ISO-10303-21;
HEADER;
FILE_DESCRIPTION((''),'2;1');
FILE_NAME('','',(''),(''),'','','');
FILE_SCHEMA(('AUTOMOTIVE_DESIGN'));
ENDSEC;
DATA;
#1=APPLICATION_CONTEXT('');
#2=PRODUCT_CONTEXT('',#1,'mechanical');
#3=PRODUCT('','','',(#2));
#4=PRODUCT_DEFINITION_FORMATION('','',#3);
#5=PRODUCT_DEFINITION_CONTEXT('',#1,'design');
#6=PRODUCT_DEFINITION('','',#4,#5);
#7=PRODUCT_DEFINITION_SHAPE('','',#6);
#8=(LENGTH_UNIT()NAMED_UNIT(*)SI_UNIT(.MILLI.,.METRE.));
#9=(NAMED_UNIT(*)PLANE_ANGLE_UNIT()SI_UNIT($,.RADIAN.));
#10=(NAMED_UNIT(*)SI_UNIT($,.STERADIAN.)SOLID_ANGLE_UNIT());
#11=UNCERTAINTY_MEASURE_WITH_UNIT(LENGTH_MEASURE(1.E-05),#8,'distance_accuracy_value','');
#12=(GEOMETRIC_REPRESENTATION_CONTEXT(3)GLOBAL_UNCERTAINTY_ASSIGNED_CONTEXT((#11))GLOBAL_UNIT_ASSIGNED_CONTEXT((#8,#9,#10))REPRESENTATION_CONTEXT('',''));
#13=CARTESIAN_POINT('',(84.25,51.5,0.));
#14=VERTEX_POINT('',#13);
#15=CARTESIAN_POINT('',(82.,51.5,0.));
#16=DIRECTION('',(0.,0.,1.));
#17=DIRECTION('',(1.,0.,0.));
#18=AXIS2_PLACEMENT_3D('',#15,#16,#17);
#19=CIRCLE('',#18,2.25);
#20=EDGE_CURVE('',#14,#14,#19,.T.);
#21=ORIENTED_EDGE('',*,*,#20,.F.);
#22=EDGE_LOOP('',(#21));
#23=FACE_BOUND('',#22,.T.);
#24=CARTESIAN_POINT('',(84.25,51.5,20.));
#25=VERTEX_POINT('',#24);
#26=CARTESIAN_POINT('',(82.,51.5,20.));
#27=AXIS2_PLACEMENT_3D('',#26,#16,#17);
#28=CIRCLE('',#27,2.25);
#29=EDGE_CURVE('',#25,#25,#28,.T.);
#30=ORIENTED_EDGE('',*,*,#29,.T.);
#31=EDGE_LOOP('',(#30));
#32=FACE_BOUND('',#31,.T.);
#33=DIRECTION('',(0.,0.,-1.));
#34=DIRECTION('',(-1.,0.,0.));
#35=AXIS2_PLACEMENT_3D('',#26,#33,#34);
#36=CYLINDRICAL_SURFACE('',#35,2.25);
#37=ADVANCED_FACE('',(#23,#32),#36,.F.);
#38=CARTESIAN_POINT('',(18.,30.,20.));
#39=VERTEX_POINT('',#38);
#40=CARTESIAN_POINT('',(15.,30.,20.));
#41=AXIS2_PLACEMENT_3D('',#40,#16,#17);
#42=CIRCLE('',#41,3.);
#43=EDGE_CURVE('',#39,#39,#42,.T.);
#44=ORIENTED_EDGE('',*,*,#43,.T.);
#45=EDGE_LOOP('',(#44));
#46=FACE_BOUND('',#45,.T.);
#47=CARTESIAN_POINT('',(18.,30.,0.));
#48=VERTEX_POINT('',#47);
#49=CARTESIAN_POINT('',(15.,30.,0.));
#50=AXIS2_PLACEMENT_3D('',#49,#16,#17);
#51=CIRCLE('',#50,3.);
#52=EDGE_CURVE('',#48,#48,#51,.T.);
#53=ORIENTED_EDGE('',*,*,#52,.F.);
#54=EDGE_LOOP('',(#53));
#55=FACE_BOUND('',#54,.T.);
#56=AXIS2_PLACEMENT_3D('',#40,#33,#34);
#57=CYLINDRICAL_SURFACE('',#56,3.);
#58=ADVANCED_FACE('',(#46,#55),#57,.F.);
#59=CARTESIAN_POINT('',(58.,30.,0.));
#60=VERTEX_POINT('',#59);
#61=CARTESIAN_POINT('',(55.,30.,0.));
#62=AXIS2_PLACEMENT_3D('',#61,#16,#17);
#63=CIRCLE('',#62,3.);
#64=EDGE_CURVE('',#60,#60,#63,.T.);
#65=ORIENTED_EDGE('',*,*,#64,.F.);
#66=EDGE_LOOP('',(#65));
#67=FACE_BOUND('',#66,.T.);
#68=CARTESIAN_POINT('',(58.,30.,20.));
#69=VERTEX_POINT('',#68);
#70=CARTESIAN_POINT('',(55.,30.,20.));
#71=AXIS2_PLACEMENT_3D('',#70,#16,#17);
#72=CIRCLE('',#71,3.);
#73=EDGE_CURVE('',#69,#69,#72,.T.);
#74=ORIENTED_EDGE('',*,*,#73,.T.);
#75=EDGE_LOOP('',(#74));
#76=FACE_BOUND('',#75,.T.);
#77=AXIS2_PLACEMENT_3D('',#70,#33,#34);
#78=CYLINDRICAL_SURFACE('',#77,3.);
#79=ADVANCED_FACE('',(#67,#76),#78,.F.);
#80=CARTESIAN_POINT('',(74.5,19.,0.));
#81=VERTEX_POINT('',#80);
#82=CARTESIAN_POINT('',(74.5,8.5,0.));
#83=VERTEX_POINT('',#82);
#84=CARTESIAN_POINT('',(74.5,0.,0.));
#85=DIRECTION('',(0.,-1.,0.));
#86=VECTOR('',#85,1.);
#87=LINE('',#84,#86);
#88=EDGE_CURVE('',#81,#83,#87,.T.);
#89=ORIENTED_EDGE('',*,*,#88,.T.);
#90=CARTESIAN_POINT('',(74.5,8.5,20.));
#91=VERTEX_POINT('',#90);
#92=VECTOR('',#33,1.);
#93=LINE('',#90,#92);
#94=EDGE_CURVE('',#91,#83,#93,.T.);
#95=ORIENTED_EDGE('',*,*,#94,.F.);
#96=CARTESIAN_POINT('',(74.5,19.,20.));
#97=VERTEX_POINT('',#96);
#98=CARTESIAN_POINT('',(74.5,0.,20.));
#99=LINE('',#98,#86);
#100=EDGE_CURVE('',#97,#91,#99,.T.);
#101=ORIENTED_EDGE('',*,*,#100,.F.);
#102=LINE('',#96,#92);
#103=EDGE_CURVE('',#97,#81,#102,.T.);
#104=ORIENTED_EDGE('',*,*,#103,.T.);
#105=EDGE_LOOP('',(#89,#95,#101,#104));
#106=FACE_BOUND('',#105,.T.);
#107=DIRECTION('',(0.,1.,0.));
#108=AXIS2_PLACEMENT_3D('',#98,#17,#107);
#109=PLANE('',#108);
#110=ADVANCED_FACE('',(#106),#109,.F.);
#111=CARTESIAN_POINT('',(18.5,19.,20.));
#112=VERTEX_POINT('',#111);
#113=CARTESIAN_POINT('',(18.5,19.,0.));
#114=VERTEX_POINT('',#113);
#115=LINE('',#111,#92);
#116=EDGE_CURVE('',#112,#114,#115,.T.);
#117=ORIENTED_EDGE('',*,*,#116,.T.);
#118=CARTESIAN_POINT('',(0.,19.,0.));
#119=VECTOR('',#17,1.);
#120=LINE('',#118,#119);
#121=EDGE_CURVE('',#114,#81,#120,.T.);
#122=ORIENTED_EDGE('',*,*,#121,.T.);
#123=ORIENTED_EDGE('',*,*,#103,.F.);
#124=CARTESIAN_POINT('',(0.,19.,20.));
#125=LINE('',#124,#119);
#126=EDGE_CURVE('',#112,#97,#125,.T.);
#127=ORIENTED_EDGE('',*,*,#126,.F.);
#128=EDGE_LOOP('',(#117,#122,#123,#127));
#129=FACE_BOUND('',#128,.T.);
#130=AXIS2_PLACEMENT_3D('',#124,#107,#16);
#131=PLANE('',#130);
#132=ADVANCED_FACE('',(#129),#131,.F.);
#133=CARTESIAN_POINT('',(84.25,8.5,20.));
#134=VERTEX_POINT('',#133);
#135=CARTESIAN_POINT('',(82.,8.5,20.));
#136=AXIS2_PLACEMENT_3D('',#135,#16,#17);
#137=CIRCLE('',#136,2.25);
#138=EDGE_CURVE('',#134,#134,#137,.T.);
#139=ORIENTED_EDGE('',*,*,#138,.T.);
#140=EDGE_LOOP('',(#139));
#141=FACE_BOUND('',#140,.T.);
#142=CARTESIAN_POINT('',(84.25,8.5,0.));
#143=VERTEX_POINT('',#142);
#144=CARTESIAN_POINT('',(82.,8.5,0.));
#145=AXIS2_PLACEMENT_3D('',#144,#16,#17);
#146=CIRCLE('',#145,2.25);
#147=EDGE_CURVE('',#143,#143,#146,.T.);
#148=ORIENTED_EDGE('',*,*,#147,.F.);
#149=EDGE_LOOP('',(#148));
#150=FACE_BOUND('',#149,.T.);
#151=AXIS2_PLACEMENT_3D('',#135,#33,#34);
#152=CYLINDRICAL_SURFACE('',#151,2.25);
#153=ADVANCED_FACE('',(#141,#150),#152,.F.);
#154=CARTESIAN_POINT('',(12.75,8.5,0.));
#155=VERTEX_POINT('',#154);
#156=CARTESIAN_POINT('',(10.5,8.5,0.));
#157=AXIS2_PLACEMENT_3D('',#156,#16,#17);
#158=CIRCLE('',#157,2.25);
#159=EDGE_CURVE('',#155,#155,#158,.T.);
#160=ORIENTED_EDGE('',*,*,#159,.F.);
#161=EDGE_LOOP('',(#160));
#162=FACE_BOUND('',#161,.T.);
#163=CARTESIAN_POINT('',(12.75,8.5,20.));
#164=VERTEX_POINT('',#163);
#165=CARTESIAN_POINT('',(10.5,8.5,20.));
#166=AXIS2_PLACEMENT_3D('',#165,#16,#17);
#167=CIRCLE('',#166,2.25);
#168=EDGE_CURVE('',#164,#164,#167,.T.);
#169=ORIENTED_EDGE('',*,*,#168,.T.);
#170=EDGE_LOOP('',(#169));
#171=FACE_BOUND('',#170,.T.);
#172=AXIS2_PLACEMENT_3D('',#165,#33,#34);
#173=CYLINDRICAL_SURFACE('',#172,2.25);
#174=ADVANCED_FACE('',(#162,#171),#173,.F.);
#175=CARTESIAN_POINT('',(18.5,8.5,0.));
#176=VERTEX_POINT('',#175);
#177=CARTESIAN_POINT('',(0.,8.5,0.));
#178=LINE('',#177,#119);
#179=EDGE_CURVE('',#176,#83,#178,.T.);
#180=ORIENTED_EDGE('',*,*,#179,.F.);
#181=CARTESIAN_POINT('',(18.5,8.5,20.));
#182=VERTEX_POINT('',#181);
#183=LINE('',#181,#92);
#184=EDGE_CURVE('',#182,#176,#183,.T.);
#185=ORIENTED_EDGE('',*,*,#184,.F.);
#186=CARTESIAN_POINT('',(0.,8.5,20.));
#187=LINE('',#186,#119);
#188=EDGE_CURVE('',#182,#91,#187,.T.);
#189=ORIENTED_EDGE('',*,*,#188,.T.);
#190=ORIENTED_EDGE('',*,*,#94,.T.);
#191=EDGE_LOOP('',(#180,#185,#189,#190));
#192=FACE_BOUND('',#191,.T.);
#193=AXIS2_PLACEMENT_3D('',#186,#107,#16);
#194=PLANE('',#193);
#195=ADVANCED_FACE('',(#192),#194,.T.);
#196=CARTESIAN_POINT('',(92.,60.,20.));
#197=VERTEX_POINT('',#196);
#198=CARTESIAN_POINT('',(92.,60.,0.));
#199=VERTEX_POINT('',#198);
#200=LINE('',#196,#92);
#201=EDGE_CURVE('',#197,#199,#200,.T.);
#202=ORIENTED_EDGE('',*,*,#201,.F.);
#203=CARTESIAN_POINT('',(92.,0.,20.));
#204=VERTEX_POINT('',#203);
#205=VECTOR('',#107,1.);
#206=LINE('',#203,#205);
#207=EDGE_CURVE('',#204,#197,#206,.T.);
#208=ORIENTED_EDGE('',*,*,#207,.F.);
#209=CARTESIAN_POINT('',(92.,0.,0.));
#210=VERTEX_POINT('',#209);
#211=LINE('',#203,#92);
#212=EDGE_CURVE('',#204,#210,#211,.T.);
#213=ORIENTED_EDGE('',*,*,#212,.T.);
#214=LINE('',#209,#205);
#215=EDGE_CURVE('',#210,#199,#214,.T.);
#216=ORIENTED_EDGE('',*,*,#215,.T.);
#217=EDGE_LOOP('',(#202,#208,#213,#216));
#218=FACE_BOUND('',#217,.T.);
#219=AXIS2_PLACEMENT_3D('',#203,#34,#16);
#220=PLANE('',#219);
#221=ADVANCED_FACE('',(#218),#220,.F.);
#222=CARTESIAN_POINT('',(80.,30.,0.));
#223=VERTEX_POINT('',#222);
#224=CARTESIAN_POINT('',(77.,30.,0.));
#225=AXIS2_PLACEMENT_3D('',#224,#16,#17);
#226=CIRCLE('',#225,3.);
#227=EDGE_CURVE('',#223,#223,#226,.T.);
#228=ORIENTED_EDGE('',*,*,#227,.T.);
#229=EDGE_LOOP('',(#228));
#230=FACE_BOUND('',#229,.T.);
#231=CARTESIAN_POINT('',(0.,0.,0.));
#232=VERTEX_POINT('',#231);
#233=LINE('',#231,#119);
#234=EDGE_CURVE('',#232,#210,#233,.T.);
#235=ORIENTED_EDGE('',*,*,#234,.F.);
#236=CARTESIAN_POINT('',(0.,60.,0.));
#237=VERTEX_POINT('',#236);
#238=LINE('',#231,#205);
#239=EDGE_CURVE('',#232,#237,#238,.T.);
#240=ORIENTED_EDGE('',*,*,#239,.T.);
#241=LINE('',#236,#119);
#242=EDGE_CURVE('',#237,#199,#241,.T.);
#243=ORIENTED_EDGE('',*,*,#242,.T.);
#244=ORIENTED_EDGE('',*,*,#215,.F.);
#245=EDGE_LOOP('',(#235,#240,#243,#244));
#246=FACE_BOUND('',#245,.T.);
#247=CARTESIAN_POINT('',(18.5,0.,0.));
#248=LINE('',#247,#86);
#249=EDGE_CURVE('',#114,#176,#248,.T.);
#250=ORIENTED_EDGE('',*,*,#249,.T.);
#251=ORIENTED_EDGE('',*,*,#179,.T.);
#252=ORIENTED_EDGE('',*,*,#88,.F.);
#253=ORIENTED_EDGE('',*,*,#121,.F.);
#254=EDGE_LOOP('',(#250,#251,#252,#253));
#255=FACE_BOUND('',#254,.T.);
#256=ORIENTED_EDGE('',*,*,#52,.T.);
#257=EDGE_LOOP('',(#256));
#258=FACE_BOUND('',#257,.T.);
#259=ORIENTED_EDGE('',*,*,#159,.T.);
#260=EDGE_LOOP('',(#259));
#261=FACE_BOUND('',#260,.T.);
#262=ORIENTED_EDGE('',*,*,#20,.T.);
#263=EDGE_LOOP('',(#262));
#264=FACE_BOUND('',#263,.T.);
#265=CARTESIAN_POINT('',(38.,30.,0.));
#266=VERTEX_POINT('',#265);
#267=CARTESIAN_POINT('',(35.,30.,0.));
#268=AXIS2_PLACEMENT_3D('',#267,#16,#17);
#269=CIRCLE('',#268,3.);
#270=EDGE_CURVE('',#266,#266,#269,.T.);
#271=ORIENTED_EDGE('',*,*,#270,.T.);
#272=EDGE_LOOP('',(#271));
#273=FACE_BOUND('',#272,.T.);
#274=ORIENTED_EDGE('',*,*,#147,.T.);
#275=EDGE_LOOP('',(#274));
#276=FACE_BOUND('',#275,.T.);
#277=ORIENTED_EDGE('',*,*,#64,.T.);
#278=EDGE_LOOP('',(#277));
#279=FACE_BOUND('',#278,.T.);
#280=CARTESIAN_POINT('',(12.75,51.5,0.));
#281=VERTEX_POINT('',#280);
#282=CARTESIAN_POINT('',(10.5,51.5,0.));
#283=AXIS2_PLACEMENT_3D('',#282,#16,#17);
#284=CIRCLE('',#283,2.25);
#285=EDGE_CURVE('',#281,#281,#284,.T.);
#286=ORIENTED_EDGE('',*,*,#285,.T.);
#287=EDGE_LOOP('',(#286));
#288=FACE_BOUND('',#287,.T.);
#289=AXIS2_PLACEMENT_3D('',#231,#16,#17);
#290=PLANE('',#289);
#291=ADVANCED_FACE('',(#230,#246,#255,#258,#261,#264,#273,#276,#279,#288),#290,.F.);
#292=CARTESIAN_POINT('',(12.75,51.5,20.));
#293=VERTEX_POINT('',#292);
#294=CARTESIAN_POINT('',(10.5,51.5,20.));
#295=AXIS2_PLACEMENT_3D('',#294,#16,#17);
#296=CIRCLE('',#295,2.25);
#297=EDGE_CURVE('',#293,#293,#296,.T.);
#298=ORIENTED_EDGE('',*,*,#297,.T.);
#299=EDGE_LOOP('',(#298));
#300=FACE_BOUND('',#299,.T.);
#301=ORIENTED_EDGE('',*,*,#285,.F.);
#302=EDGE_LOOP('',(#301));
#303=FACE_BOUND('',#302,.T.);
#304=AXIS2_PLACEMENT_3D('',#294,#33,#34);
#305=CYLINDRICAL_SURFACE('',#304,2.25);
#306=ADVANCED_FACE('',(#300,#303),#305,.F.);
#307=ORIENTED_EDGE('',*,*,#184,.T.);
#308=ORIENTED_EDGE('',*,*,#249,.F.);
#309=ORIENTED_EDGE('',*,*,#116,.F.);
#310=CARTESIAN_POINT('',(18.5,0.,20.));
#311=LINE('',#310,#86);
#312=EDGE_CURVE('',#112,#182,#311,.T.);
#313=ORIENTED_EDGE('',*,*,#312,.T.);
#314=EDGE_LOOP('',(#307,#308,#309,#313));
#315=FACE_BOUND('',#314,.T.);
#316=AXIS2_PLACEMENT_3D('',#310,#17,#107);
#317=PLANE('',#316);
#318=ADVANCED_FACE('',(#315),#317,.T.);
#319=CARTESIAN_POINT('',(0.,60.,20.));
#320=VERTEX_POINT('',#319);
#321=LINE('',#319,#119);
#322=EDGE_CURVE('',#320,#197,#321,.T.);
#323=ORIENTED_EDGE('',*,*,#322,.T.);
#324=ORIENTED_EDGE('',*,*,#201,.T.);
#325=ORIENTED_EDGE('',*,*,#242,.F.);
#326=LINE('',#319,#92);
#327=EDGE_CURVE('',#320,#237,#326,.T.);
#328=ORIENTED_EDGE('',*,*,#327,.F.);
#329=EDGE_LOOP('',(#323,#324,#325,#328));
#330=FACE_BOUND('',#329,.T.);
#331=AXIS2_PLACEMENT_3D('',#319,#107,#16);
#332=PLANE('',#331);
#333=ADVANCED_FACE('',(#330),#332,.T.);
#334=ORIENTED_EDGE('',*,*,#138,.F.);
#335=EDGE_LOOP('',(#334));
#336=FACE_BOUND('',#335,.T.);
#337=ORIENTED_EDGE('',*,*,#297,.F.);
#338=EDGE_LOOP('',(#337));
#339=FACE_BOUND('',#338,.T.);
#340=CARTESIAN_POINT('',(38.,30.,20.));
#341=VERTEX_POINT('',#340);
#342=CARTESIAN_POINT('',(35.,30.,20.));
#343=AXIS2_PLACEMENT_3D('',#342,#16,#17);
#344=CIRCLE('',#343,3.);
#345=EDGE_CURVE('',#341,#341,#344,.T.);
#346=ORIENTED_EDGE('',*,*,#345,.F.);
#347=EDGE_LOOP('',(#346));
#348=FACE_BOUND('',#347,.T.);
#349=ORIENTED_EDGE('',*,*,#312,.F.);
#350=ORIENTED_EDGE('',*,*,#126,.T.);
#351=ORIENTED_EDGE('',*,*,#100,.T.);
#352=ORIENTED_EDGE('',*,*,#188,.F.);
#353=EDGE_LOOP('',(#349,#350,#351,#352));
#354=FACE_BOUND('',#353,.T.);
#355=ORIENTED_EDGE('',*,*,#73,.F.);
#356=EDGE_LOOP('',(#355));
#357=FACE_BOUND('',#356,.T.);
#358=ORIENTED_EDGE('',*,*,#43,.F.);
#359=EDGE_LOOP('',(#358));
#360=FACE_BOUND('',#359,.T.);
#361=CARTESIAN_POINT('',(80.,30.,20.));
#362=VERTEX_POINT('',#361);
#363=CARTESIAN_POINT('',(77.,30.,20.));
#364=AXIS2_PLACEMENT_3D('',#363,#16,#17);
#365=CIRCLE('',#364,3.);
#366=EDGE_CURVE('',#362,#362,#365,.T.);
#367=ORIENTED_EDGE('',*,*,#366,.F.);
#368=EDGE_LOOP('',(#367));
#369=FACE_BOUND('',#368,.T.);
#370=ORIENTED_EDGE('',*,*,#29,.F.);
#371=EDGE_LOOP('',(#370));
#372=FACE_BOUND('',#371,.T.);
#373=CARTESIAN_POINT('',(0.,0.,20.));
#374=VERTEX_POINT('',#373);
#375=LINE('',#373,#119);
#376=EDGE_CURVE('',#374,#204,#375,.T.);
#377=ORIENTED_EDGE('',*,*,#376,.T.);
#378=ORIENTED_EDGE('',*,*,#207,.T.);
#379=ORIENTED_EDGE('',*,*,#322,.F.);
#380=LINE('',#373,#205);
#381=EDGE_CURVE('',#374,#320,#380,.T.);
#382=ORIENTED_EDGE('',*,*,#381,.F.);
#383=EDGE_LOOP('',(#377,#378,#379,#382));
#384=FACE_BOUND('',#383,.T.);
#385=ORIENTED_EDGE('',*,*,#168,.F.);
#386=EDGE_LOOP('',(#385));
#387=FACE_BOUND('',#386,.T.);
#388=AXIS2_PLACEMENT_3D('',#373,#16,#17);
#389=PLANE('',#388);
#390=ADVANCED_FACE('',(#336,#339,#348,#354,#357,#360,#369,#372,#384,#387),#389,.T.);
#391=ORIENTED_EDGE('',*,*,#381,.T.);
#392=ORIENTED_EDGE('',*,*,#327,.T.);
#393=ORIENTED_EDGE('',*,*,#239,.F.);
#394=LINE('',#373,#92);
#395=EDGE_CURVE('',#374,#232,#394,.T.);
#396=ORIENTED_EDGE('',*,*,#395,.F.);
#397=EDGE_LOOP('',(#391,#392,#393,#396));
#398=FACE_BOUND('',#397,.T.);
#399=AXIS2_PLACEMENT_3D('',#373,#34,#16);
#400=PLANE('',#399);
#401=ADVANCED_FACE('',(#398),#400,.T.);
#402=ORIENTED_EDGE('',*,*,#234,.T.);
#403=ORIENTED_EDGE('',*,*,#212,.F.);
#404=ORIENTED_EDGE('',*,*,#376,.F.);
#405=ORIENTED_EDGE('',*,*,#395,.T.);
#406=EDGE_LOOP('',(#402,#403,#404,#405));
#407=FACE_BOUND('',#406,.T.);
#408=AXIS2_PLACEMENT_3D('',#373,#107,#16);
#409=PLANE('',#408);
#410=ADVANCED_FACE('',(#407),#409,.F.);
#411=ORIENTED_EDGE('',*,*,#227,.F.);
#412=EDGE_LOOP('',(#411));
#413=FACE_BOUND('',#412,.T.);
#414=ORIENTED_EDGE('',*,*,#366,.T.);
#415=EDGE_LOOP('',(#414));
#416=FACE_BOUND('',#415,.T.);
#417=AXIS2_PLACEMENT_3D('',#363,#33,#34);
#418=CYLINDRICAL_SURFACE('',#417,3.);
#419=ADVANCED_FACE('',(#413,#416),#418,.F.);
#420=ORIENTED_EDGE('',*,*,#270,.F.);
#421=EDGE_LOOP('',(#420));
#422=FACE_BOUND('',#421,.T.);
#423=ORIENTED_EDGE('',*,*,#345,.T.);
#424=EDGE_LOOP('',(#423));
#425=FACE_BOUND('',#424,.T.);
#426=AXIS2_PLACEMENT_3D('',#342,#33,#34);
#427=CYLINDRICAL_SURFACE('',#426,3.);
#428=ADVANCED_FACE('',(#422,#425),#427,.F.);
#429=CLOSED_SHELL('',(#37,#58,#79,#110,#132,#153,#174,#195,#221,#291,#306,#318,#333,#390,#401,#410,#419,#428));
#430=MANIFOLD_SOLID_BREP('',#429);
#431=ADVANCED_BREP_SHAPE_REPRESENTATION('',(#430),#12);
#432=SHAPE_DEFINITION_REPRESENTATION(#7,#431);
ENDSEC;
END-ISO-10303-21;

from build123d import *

# Parameters (mm, degrees)
SKETCH3_W           = 92
SKETCH3_H           = 60
SKETCH3_W_2         = 76.5
SKETCH3_H_2         = 48
SKETCH3_R           = 2.25
SKETCH3_R_2         = 3
SKETCH3_W_3         = 56
SKETCH3_H_3         = 10.5
BOSS_EXTRUDE3_DEPTH = 20


with BuildPart() as part:
    # Sketch3 → Boss-Extrude3 (new body)
    # profile 1 of 2: a face of its own
    with BuildSketch(Plane.XY):
        with Locations((46, 30)):
            Rectangle(SKETCH3_W, SKETCH3_H)
        with Locations((46.25, 30)):
            Rectangle(SKETCH3_W_2, SKETCH3_H_2, mode=Mode.SUBTRACT)
    # profile 2 of 2: a face of its own
    with BuildSketch(Plane.XY):
        with Locations((46.25, 30)):
            Rectangle(SKETCH3_W_2, SKETCH3_H_2)
        with Locations((10.5, 51.5)):
            Circle(SKETCH3_R, mode=Mode.SUBTRACT)
        with Locations((10.5, 8.5)):
            Circle(SKETCH3_R, mode=Mode.SUBTRACT)
        with Locations((82, 8.5)):
            Circle(SKETCH3_R, mode=Mode.SUBTRACT)
        with Locations((82, 51.5)):
            Circle(SKETCH3_R, mode=Mode.SUBTRACT)
        with Locations((77, 30)):
            Circle(SKETCH3_R_2, mode=Mode.SUBTRACT)
        with Locations((55, 30)):
            Circle(SKETCH3_R_2, mode=Mode.SUBTRACT)
        with Locations((35, 30)):
            Circle(SKETCH3_R_2, mode=Mode.SUBTRACT)
        with Locations((15, 30)):
            Circle(SKETCH3_R_2, mode=Mode.SUBTRACT)
        with Locations((46.5, 13.75)):
            Rectangle(SKETCH3_W_3, SKETCH3_H_3, mode=Mode.SUBTRACT)
    extrude(amount=BOSS_EXTRUDE3_DEPTH)


solid = part.part
